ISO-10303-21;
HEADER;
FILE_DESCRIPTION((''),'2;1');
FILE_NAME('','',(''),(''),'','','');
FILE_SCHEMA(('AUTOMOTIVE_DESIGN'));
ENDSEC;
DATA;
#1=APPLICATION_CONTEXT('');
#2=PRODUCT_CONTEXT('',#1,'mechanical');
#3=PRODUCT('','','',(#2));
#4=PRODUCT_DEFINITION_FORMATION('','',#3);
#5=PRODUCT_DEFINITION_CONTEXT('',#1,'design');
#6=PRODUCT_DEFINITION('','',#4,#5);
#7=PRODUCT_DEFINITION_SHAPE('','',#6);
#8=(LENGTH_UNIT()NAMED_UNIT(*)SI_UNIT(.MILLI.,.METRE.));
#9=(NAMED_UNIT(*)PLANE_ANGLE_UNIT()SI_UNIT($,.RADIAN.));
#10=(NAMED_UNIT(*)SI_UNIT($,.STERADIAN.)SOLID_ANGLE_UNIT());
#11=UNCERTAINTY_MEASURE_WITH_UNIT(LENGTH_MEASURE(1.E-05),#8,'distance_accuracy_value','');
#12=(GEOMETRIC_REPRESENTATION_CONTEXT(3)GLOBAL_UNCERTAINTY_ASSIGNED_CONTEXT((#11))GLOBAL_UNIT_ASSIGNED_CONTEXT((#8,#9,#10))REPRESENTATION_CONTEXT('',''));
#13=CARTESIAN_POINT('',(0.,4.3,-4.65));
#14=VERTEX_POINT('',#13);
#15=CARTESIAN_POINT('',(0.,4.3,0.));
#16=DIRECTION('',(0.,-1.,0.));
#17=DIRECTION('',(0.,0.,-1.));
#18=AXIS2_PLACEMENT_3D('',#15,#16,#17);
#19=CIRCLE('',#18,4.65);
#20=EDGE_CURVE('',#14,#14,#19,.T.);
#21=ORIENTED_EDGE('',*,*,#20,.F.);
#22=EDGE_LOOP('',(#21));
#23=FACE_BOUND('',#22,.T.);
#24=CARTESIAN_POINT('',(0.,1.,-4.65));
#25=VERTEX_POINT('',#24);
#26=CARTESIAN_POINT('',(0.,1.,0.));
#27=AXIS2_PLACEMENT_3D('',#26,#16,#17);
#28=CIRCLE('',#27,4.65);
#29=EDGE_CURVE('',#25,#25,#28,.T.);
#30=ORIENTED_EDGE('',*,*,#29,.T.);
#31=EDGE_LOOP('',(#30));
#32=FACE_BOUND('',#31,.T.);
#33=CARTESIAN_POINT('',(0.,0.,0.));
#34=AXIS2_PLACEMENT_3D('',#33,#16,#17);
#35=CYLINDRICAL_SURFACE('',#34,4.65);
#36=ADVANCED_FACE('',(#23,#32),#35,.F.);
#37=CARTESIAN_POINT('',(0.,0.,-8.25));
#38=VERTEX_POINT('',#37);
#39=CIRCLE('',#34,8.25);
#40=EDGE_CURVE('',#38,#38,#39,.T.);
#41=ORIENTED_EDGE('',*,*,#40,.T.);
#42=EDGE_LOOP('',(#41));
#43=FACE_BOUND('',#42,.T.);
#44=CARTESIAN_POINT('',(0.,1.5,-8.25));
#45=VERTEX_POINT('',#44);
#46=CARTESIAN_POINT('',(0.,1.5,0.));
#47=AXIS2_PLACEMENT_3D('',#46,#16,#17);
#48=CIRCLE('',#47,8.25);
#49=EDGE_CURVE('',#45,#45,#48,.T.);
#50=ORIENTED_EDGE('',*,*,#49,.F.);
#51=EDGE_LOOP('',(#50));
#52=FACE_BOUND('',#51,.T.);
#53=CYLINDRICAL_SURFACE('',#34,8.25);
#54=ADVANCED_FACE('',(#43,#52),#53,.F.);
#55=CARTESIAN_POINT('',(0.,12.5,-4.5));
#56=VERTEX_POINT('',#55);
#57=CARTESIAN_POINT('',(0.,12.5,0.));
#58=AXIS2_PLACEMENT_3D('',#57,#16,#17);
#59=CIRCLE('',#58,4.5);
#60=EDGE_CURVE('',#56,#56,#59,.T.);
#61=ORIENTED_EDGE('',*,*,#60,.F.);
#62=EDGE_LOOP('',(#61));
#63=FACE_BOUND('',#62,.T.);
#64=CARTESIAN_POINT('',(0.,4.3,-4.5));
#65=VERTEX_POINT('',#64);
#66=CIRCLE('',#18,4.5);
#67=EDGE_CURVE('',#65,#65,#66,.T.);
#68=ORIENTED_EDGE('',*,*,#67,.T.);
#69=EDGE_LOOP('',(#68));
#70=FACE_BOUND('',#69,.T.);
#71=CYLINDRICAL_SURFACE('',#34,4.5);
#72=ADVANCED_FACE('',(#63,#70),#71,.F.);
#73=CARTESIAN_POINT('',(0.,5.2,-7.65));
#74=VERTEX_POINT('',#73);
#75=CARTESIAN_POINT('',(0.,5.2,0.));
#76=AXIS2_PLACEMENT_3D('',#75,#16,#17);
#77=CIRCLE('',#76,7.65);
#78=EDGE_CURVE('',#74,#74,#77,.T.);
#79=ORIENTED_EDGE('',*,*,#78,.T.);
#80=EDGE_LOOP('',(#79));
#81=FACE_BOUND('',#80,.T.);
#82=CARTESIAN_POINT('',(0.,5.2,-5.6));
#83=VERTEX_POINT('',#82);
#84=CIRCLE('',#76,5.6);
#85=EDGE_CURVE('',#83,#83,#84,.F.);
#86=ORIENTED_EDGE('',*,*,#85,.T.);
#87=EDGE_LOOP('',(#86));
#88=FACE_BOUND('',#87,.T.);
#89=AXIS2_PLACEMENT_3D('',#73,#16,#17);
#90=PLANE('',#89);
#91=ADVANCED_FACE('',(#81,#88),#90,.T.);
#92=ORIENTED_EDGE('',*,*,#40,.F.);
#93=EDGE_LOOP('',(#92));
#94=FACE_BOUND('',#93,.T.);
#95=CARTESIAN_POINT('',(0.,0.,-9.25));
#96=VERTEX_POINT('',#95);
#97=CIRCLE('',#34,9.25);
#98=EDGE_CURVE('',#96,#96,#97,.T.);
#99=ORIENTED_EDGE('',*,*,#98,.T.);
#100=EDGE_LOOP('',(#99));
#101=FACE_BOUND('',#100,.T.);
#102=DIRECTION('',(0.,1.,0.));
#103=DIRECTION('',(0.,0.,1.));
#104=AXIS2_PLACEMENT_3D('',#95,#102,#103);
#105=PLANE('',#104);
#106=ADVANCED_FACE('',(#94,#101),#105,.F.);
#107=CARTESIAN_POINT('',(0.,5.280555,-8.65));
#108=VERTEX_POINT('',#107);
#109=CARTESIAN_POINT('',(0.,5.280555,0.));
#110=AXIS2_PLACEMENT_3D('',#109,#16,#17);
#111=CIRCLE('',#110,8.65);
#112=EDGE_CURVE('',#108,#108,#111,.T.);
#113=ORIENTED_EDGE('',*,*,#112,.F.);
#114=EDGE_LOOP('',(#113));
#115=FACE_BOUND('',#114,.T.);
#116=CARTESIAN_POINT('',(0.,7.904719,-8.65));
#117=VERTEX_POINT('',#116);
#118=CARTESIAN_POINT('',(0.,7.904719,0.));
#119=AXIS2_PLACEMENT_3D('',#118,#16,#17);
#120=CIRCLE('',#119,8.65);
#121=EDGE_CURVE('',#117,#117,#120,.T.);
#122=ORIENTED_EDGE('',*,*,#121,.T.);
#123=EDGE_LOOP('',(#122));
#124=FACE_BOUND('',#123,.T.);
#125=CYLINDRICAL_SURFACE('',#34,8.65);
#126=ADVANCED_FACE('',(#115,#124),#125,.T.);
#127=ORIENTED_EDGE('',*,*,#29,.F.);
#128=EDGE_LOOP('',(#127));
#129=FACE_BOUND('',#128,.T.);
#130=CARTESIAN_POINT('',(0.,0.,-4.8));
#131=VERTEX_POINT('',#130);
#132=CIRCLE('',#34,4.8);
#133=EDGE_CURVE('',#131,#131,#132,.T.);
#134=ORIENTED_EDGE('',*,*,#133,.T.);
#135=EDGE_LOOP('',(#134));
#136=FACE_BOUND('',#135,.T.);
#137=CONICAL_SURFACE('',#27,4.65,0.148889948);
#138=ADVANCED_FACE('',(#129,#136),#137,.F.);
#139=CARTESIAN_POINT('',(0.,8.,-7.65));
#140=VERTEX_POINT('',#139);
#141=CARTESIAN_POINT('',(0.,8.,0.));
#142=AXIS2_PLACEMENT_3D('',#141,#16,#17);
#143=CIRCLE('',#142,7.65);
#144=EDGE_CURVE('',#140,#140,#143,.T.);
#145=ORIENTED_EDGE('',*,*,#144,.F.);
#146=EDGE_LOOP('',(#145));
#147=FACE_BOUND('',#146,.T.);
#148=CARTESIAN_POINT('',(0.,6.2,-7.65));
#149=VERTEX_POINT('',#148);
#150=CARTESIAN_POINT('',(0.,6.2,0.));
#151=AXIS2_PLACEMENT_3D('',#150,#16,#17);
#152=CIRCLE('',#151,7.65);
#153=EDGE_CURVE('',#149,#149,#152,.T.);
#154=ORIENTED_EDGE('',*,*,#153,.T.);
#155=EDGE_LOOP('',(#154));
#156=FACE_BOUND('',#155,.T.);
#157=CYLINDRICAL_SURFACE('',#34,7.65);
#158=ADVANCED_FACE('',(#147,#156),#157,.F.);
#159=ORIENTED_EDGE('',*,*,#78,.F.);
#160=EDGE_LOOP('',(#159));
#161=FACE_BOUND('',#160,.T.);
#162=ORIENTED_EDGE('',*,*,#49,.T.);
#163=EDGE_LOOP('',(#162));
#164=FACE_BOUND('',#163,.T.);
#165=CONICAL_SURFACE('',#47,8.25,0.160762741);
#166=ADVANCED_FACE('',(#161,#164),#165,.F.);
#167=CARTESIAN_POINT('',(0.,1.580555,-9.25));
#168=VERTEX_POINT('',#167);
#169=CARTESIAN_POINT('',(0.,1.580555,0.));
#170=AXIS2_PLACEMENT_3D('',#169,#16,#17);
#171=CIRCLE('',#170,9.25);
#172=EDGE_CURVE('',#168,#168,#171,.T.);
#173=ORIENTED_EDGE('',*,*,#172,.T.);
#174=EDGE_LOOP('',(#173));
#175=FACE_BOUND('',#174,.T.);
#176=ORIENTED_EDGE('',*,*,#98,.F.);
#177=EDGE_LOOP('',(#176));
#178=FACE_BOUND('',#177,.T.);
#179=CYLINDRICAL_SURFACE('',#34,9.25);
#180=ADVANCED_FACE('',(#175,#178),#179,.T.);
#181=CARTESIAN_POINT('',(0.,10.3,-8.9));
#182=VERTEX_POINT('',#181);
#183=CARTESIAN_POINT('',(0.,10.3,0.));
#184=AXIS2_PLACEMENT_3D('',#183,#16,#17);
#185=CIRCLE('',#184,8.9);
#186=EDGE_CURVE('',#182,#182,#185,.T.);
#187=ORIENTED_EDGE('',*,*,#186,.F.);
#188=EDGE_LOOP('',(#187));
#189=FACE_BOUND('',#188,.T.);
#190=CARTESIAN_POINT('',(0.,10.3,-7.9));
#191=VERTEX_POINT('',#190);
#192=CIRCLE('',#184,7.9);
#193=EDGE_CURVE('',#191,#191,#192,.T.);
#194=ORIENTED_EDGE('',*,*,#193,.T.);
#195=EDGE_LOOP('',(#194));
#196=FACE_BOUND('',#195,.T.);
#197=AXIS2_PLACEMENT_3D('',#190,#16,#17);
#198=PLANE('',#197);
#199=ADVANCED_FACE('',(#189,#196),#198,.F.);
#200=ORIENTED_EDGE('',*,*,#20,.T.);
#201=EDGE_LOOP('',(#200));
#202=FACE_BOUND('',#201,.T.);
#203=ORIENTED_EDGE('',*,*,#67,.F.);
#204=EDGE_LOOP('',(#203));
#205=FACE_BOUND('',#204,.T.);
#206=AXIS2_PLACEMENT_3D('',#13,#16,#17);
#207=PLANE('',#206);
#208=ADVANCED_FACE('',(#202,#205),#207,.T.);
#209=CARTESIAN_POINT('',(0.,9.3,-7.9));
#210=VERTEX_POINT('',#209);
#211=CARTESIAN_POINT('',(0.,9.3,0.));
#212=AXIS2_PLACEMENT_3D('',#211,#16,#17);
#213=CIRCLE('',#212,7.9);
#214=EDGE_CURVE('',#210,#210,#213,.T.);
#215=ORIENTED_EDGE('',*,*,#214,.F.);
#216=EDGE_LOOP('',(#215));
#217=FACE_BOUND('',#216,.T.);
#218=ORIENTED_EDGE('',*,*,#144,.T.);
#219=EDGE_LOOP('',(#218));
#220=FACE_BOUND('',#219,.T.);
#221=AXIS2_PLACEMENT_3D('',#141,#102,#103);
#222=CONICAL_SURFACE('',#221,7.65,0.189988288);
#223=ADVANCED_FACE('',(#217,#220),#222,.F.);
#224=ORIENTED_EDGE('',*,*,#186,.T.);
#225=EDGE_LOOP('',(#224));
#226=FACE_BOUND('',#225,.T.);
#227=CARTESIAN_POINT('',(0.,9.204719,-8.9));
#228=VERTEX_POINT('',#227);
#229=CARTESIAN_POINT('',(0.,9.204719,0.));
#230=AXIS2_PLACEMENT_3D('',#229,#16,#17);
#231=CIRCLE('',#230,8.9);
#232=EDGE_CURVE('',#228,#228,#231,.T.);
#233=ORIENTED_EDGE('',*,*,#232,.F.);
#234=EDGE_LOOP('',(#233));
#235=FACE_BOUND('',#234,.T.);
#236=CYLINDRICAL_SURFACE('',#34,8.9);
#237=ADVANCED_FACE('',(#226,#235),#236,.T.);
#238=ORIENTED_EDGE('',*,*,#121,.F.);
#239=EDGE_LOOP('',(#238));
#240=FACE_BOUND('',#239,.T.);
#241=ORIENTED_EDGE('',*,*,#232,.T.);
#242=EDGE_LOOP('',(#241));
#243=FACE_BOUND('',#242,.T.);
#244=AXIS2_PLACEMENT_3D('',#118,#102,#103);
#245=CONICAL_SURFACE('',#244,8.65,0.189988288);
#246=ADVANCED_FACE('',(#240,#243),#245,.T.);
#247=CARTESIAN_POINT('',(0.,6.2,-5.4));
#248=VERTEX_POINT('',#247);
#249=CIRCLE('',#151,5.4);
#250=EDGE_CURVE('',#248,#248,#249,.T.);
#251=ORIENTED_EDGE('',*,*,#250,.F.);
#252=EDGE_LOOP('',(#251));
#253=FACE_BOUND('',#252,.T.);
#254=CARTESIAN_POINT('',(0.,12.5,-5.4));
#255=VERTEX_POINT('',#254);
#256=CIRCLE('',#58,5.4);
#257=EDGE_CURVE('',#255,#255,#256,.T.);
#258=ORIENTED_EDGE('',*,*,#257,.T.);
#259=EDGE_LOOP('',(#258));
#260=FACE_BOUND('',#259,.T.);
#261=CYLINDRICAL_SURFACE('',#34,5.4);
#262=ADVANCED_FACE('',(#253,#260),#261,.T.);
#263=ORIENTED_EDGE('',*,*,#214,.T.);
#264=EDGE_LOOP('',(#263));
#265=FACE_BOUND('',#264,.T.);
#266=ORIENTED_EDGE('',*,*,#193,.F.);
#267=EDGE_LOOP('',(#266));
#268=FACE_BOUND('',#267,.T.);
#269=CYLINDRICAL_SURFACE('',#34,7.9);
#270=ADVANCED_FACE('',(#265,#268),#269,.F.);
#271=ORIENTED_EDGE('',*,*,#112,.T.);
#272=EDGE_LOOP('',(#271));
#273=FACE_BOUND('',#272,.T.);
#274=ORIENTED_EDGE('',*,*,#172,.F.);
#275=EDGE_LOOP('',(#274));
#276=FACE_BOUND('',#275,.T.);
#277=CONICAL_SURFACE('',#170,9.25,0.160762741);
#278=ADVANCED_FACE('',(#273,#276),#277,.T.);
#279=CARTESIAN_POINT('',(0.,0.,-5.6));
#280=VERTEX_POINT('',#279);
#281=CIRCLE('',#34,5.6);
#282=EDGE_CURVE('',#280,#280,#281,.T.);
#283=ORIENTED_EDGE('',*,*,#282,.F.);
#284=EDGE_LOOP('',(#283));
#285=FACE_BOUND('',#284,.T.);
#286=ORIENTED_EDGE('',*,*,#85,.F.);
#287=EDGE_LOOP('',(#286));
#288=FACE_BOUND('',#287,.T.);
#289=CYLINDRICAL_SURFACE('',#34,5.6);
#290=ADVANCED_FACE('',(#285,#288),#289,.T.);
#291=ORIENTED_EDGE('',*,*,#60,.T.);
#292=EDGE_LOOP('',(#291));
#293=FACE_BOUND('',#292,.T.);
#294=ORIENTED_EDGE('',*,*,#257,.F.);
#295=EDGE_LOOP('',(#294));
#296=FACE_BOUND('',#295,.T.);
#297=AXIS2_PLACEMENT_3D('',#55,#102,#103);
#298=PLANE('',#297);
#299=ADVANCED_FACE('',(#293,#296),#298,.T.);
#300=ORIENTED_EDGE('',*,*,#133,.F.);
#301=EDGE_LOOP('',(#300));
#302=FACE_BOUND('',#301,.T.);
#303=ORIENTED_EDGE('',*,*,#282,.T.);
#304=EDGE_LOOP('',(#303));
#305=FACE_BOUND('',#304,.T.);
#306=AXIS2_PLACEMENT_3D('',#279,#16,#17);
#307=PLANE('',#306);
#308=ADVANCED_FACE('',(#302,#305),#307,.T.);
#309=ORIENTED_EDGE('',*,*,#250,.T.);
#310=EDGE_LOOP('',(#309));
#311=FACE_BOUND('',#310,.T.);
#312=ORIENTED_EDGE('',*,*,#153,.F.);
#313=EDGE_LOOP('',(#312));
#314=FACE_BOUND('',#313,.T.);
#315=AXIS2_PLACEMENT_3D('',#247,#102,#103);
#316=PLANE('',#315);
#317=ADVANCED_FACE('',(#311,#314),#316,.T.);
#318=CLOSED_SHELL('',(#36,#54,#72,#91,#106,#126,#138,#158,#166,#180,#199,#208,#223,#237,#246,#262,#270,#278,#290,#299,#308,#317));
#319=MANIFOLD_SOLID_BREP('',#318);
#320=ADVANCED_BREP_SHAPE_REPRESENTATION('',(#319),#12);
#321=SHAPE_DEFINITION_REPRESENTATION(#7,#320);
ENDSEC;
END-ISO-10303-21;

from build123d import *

# Parameters (mm, degrees)
SKETCH2_W = 2.05
SKETCH2_H = 1


with BuildPart() as part:
    # Sketch1 → Revolve1 (revolve)
    with BuildSketch(Plane(origin=(0, 0, 0), x_dir=(0, 0, -1), z_dir=(1, 0, 0))):
        Polygon((4.65, 1), (4.65, 4.3), (4.5, 4.3), (4.5, 12.5), (5.4, 12.5), (5.4, 6.2), (5.6, 6.2), (5.6, 0), (4.8, 0), align=None)
    revolve(axis=Axis((0, 0, 0), (0, 1, 0)))

    # Sketch2 → Revolve2 (revolve)
    with BuildSketch(Plane(origin=(0, 0, 0), x_dir=(0, 0, -1), z_dir=(1, 0, 0))):
        with Locations((6.625, 5.7)):
            Rectangle(SKETCH2_W, SKETCH2_H)
    revolve(axis=Axis((0, 0, 0), (0, 1, 0)))

    # Sketch3 → Revolve-Thin1 (revolve)
    with BuildSketch(Plane(origin=(0, 0, 0), x_dir=(0, 0, -1), z_dir=(1, 0, 0))):
        Polygon((7.9, 10.3), (7.9, 9.3), (7.65, 8), (7.65, 5.2), (8.25, 1.5), (8.25, 0), (9.25, 0), (9.25, 1.580554938), (8.65, 5.280554938), (8.65, 7.904719082), (8.9, 9.204719082), (8.9, 10.3), align=None)
    revolve(axis=Axis((0, 0, 0), (0, 1, 0)))


solid = part.part
